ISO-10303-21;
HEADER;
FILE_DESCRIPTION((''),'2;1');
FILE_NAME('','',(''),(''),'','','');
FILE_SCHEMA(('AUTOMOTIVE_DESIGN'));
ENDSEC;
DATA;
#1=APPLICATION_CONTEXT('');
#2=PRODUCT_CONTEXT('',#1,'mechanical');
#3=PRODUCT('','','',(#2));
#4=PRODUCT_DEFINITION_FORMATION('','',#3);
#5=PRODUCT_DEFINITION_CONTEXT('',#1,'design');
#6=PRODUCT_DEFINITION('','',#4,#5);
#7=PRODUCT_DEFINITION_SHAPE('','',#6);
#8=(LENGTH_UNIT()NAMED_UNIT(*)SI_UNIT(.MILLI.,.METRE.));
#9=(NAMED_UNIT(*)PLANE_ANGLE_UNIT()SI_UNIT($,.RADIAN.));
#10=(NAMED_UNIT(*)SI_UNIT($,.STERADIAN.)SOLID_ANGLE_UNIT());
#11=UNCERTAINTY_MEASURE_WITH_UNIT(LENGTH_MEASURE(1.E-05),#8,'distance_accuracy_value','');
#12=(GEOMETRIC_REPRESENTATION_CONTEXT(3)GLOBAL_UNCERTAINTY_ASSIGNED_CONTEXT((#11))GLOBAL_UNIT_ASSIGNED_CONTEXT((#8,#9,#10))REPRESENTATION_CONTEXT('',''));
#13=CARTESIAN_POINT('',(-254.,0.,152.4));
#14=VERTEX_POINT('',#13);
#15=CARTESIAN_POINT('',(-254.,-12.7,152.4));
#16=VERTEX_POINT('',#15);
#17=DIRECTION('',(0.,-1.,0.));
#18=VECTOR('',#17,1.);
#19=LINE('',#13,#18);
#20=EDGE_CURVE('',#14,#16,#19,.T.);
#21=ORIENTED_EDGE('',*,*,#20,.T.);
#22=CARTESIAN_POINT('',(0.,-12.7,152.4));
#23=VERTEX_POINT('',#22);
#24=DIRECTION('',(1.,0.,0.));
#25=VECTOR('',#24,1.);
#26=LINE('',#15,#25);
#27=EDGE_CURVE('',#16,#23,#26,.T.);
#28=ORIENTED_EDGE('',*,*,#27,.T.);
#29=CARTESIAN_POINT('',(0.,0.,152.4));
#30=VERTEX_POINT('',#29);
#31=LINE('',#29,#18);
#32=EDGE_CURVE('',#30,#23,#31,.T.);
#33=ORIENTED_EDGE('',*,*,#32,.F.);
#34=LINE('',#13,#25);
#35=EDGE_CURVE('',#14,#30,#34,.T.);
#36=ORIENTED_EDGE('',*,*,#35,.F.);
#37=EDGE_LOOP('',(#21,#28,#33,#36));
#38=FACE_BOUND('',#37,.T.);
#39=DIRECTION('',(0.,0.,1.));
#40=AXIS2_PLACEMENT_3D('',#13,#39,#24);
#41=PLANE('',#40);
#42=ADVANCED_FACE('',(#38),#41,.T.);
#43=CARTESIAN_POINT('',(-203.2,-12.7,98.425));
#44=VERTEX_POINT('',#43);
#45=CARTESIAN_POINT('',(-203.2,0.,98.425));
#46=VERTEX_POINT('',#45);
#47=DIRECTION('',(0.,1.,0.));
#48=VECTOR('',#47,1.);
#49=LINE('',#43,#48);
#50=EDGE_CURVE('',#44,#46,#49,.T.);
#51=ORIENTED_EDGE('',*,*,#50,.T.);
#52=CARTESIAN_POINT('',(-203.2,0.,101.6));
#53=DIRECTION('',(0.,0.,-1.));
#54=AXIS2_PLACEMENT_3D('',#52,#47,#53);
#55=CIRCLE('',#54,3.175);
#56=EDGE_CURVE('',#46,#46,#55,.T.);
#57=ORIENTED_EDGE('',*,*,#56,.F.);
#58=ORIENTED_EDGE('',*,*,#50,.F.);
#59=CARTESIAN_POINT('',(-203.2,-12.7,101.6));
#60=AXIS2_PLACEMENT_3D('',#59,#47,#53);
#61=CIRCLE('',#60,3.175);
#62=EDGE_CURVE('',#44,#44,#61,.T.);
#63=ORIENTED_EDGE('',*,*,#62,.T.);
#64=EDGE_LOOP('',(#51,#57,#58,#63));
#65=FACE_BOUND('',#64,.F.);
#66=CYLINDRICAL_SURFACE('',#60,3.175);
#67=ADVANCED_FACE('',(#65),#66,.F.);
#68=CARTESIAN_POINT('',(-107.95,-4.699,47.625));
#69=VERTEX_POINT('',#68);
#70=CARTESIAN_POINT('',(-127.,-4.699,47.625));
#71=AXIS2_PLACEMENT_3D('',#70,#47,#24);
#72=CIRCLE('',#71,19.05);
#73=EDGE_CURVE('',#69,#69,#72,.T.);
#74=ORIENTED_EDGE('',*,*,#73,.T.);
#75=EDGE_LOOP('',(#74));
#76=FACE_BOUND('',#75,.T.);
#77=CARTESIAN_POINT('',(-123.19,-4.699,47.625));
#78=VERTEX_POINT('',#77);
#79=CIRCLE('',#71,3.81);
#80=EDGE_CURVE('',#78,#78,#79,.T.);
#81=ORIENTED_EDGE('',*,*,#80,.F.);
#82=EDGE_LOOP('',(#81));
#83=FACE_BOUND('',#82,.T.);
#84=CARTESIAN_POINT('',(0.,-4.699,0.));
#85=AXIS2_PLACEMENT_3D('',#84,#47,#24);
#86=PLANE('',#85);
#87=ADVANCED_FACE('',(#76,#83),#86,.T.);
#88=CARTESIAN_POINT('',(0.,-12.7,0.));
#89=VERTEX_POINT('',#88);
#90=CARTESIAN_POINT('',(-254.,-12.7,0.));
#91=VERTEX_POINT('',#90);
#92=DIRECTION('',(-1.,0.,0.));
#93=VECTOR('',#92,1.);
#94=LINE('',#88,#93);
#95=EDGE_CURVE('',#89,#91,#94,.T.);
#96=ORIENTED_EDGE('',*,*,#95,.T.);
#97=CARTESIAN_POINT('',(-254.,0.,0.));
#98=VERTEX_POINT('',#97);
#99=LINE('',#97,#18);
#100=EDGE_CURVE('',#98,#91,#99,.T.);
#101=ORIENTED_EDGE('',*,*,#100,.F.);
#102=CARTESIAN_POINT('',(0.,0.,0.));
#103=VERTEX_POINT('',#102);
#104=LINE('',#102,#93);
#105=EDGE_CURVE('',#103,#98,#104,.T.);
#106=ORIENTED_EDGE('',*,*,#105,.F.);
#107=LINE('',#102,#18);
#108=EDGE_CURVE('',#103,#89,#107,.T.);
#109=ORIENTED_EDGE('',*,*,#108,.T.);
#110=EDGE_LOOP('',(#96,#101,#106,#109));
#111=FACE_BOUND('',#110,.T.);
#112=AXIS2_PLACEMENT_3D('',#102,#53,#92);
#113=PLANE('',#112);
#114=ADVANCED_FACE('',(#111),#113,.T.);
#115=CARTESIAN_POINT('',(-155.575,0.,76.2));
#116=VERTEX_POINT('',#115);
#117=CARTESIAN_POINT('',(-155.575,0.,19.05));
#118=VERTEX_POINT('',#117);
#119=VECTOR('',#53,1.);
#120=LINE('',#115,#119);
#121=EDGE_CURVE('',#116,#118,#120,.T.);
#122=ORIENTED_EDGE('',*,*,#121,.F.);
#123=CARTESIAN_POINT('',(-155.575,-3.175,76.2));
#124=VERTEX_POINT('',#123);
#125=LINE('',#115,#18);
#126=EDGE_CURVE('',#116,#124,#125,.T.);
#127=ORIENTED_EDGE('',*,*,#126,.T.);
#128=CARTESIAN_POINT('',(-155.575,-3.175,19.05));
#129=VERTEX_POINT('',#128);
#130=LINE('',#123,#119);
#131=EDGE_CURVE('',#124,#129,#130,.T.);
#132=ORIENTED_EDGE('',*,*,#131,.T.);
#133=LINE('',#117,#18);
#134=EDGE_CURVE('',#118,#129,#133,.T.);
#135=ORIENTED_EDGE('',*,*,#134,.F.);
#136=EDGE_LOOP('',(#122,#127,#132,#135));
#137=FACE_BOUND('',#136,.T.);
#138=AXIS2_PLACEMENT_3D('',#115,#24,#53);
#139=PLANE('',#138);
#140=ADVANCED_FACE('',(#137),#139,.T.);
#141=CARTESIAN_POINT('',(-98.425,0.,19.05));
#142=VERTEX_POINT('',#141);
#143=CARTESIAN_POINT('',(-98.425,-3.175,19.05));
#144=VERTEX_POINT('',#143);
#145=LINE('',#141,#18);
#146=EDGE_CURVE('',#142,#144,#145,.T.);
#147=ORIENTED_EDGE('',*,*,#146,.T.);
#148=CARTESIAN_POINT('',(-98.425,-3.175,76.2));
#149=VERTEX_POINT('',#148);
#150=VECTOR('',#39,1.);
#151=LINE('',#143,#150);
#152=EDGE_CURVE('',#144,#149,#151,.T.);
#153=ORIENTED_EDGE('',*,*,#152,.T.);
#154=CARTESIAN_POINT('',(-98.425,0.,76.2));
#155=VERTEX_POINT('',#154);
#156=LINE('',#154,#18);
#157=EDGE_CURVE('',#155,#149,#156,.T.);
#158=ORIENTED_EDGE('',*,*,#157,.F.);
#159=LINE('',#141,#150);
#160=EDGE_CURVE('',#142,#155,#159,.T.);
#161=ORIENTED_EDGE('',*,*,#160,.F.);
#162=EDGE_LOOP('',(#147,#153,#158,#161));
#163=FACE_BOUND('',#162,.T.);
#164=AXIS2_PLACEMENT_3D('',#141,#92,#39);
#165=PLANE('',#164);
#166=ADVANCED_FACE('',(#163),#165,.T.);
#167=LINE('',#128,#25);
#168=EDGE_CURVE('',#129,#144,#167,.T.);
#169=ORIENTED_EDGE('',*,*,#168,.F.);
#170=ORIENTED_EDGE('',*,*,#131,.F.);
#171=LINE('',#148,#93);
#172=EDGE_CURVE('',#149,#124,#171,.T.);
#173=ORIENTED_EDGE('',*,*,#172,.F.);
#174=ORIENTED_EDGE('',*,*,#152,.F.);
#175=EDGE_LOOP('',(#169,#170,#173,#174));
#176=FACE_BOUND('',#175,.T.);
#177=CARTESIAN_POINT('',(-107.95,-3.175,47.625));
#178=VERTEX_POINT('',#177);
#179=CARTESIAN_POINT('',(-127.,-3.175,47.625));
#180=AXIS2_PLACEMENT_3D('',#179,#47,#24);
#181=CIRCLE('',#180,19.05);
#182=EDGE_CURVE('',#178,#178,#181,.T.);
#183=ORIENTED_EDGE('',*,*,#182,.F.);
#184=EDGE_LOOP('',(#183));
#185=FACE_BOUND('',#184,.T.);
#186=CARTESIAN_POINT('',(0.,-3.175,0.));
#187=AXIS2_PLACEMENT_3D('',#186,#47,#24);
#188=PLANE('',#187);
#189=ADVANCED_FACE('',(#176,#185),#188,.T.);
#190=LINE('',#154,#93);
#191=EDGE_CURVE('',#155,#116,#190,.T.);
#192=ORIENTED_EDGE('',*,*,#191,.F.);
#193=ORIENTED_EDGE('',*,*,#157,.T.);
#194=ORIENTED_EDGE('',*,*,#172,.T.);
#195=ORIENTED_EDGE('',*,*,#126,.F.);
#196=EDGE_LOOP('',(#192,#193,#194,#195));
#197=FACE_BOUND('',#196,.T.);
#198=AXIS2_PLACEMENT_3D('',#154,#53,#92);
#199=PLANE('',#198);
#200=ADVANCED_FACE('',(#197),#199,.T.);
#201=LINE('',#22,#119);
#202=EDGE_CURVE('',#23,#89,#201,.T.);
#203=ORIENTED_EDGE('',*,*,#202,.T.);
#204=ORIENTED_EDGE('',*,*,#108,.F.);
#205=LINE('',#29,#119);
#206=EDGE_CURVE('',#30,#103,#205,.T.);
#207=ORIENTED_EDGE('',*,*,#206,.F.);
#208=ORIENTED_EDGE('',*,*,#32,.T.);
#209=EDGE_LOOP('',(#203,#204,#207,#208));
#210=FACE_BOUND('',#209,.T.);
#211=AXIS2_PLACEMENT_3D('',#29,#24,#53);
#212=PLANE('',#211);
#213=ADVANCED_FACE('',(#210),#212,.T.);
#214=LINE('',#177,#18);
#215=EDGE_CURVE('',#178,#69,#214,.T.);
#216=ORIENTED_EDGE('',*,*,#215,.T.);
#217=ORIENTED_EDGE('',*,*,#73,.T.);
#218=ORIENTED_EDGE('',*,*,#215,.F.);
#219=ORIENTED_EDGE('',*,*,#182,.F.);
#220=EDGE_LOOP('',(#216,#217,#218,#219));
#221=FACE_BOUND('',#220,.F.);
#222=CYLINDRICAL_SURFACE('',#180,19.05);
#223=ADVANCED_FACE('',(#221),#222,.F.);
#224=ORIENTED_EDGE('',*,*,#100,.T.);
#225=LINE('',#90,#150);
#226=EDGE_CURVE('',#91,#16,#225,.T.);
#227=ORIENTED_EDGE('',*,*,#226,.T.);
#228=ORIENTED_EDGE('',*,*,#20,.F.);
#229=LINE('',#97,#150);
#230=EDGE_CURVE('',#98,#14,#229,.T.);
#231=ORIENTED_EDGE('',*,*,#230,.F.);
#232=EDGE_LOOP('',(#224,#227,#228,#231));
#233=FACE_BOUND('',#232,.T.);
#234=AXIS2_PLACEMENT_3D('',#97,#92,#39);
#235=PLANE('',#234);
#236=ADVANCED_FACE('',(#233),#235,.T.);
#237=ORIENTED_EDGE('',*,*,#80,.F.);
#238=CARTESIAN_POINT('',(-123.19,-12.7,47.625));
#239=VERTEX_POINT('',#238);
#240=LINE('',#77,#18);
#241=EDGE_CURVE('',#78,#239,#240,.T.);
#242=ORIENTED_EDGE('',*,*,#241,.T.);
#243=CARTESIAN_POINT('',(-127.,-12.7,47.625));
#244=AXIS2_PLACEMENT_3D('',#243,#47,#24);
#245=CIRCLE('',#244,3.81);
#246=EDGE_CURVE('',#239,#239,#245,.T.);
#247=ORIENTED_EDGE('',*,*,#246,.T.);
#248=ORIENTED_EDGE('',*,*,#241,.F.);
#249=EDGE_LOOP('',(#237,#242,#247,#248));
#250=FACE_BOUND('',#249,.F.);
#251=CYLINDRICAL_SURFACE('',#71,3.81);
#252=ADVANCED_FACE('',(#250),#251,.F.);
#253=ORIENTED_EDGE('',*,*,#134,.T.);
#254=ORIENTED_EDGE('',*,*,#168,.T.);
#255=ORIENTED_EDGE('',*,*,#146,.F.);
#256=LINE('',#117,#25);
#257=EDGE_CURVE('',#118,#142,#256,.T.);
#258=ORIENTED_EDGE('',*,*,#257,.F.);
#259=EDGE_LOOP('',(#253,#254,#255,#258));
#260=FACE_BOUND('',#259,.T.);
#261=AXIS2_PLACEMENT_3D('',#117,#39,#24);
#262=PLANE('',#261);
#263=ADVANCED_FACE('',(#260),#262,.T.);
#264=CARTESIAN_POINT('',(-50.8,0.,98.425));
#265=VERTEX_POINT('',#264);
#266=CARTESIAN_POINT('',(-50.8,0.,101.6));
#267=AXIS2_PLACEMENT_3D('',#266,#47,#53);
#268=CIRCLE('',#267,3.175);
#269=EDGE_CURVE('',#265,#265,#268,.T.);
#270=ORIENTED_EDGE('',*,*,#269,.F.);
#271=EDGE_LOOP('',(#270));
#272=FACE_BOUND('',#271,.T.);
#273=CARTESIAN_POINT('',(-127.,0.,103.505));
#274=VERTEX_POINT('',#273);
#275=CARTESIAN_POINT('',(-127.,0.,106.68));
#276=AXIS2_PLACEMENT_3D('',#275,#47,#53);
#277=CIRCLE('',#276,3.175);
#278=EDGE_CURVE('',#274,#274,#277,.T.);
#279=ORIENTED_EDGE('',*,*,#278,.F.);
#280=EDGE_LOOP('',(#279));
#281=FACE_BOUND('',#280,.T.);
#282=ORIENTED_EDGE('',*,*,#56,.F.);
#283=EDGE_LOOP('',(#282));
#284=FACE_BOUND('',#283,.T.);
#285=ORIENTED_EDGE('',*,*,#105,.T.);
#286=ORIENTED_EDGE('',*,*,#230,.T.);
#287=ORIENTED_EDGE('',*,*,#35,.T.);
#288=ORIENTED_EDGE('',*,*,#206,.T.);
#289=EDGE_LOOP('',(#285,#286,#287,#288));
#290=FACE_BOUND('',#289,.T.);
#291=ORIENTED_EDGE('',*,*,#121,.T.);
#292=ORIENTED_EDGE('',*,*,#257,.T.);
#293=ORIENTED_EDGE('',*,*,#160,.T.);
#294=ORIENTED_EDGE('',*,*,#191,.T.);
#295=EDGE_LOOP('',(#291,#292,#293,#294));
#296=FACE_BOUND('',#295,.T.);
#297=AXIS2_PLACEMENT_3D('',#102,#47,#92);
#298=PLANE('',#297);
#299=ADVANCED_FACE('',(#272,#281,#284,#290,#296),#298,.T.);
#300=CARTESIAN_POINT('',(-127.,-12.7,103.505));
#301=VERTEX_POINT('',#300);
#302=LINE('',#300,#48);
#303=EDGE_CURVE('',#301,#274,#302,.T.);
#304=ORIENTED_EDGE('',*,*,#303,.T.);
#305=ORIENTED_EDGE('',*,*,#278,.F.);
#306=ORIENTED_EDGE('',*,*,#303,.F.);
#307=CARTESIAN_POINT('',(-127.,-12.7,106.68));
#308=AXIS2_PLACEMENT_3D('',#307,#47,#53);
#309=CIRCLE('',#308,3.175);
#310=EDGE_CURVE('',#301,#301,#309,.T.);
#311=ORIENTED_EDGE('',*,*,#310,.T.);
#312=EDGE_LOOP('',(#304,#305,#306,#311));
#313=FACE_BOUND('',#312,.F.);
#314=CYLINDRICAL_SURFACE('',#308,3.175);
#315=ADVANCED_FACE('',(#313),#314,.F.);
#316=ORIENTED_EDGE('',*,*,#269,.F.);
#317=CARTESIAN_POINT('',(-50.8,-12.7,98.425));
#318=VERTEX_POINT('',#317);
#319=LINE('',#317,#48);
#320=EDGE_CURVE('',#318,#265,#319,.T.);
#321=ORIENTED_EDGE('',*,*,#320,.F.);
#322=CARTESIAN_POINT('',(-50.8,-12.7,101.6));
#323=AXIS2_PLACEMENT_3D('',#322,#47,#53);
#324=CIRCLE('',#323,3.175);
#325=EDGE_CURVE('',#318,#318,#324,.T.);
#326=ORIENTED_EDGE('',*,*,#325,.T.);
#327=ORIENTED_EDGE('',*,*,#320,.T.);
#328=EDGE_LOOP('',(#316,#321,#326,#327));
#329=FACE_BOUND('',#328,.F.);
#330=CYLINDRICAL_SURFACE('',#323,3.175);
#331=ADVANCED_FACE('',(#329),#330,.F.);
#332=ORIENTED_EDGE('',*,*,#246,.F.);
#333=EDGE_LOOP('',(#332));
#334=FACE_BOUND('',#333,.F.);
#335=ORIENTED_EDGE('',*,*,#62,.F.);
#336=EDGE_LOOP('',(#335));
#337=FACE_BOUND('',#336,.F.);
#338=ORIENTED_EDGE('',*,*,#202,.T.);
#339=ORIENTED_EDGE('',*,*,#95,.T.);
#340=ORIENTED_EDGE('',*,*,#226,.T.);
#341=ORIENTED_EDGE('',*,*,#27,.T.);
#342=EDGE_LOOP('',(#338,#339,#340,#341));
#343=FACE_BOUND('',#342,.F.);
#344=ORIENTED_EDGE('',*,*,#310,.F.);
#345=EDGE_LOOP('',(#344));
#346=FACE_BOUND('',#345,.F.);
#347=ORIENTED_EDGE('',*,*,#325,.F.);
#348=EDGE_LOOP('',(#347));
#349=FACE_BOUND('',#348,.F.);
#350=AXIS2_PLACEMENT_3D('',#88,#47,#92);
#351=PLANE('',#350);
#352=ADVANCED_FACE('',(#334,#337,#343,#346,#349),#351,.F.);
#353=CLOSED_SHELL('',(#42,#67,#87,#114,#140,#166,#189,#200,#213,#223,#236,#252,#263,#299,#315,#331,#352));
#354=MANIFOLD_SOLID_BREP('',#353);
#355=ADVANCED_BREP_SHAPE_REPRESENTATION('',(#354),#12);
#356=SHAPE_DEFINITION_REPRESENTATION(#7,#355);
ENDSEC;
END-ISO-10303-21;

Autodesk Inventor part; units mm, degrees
ref_plane "YZ Plane" through (0, 0, 0) normal (1, 0, 0) x (0, 1, 0)
ref_plane "XZ Plane" through (0, 0, 0) normal (0, 1, 0) x (-1, 0, 0)
ref_plane "XY Plane" through (0, 0, 0) normal (0, 0, 1) x (1, 0, 0)
sketch "Sketch1" plane through (0, 0, 0) normal (0, 1, 0) x (-1, 0, 0)
  line L0 (0, 0) -> (254, 0)
  line L1 (254, 0) -> (254, 152.4)
  line L2 (254, 152.4) -> (0, 152.4)
  line L3 (0, 152.4) -> (0, 0)
  dimension "d0" = 254
  dimension "d1" = 152.4
extrude "Extrusion1" add sketch "Sketch1" against normal blind 12.7
sketch "Sketch2" plane through (0, 0, 0) normal (0, 1, 0) x (1, 0, 0)
  line L0 (0, 0) -> (-254, 0) projected
  line L1 (-254, 0) -> (-254, -152.4) projected
  line L2 (0, -152.4) -> (0, 0) projected
  line L3 (-155.575, -19.05) -> (-98.425, -19.05)
  line L4 (-98.425, -19.05) -> (-98.425, -76.2)
  line L5 (-98.425, -76.2) -> (-155.575, -76.2)
  line L6 (-155.575, -76.2) -> (-155.575, -19.05)
  dimension "d4" = 57.15
  dimension "d6" = 57.15
  dimension "d7" = 98.425
  dimension "d8" = 98.425
  dimension "d9" = 19.05
extrude "Extrusion2" cut sketch "Sketch2" against normal blind 3.175
sketch "Sketch3" plane through (0, -3.175, 0) normal (0, 1, 0) x (1, 0, 0)
  line L0 (-98.425, -76.2) -> (-155.575, -76.2) projected
  line L1 (-98.425, -19.05) -> (-98.425, -76.2) projected
  circle A0 centre (-127, -47.625) radius 19.05
  point P0 (0, 0)
  dimension "d12" = 38.1
  dimension "d13" = 28.575
  dimension "d14" = 28.575
extrude "Extrusion3" cut sketch "Sketch3" against normal blind 1.524
sketch "Sketch4" plane through (-127, -4.699, 47.625) normal (0, 1, 0) x (1, 0, 0)
  circle A0 centre (0, 0) radius 19.05 projected
  circle A1 centre (0, 0) radius 3.81
  point P0 (127, 47.625)
  dimension "d17" = 7.62
extrude "Extrusion4" cut sketch "Sketch4" against normal through all contours A1
sketch "Sketch5" plane through (0, -12.7, 0) normal (0, -1, 0) x (1, 0, 0)
  line L0 (0, 0) -> (0, 152.4) projected
  line L1 (0, 152.4) -> (-254, 152.4) projected
  line L2 (-254, 152.4) -> (-254, 0) projected
  circle A0 centre (-127, 47.625) radius 3.81 projected
  point P0 (-50.8, 101.6)
  point P1 (-203.2, 101.6)
  point P2 (-127, 106.68)
  dimension "d20" = 50.8
  dimension "d21" = 50.8
  dimension "d22" = 50.8
  dimension "d30" = 5.08
hole "Hole1" at (-50.8, -12.7, 101.6) at (-203.2, -12.7, 101.6) at (-127, -12.7, 106.68) direction (0, 1, 0) diameter 6.35 end through all
equation "\"d7\" = d8"
equation "\"d22\" = d21"
properties part number "tractor"
